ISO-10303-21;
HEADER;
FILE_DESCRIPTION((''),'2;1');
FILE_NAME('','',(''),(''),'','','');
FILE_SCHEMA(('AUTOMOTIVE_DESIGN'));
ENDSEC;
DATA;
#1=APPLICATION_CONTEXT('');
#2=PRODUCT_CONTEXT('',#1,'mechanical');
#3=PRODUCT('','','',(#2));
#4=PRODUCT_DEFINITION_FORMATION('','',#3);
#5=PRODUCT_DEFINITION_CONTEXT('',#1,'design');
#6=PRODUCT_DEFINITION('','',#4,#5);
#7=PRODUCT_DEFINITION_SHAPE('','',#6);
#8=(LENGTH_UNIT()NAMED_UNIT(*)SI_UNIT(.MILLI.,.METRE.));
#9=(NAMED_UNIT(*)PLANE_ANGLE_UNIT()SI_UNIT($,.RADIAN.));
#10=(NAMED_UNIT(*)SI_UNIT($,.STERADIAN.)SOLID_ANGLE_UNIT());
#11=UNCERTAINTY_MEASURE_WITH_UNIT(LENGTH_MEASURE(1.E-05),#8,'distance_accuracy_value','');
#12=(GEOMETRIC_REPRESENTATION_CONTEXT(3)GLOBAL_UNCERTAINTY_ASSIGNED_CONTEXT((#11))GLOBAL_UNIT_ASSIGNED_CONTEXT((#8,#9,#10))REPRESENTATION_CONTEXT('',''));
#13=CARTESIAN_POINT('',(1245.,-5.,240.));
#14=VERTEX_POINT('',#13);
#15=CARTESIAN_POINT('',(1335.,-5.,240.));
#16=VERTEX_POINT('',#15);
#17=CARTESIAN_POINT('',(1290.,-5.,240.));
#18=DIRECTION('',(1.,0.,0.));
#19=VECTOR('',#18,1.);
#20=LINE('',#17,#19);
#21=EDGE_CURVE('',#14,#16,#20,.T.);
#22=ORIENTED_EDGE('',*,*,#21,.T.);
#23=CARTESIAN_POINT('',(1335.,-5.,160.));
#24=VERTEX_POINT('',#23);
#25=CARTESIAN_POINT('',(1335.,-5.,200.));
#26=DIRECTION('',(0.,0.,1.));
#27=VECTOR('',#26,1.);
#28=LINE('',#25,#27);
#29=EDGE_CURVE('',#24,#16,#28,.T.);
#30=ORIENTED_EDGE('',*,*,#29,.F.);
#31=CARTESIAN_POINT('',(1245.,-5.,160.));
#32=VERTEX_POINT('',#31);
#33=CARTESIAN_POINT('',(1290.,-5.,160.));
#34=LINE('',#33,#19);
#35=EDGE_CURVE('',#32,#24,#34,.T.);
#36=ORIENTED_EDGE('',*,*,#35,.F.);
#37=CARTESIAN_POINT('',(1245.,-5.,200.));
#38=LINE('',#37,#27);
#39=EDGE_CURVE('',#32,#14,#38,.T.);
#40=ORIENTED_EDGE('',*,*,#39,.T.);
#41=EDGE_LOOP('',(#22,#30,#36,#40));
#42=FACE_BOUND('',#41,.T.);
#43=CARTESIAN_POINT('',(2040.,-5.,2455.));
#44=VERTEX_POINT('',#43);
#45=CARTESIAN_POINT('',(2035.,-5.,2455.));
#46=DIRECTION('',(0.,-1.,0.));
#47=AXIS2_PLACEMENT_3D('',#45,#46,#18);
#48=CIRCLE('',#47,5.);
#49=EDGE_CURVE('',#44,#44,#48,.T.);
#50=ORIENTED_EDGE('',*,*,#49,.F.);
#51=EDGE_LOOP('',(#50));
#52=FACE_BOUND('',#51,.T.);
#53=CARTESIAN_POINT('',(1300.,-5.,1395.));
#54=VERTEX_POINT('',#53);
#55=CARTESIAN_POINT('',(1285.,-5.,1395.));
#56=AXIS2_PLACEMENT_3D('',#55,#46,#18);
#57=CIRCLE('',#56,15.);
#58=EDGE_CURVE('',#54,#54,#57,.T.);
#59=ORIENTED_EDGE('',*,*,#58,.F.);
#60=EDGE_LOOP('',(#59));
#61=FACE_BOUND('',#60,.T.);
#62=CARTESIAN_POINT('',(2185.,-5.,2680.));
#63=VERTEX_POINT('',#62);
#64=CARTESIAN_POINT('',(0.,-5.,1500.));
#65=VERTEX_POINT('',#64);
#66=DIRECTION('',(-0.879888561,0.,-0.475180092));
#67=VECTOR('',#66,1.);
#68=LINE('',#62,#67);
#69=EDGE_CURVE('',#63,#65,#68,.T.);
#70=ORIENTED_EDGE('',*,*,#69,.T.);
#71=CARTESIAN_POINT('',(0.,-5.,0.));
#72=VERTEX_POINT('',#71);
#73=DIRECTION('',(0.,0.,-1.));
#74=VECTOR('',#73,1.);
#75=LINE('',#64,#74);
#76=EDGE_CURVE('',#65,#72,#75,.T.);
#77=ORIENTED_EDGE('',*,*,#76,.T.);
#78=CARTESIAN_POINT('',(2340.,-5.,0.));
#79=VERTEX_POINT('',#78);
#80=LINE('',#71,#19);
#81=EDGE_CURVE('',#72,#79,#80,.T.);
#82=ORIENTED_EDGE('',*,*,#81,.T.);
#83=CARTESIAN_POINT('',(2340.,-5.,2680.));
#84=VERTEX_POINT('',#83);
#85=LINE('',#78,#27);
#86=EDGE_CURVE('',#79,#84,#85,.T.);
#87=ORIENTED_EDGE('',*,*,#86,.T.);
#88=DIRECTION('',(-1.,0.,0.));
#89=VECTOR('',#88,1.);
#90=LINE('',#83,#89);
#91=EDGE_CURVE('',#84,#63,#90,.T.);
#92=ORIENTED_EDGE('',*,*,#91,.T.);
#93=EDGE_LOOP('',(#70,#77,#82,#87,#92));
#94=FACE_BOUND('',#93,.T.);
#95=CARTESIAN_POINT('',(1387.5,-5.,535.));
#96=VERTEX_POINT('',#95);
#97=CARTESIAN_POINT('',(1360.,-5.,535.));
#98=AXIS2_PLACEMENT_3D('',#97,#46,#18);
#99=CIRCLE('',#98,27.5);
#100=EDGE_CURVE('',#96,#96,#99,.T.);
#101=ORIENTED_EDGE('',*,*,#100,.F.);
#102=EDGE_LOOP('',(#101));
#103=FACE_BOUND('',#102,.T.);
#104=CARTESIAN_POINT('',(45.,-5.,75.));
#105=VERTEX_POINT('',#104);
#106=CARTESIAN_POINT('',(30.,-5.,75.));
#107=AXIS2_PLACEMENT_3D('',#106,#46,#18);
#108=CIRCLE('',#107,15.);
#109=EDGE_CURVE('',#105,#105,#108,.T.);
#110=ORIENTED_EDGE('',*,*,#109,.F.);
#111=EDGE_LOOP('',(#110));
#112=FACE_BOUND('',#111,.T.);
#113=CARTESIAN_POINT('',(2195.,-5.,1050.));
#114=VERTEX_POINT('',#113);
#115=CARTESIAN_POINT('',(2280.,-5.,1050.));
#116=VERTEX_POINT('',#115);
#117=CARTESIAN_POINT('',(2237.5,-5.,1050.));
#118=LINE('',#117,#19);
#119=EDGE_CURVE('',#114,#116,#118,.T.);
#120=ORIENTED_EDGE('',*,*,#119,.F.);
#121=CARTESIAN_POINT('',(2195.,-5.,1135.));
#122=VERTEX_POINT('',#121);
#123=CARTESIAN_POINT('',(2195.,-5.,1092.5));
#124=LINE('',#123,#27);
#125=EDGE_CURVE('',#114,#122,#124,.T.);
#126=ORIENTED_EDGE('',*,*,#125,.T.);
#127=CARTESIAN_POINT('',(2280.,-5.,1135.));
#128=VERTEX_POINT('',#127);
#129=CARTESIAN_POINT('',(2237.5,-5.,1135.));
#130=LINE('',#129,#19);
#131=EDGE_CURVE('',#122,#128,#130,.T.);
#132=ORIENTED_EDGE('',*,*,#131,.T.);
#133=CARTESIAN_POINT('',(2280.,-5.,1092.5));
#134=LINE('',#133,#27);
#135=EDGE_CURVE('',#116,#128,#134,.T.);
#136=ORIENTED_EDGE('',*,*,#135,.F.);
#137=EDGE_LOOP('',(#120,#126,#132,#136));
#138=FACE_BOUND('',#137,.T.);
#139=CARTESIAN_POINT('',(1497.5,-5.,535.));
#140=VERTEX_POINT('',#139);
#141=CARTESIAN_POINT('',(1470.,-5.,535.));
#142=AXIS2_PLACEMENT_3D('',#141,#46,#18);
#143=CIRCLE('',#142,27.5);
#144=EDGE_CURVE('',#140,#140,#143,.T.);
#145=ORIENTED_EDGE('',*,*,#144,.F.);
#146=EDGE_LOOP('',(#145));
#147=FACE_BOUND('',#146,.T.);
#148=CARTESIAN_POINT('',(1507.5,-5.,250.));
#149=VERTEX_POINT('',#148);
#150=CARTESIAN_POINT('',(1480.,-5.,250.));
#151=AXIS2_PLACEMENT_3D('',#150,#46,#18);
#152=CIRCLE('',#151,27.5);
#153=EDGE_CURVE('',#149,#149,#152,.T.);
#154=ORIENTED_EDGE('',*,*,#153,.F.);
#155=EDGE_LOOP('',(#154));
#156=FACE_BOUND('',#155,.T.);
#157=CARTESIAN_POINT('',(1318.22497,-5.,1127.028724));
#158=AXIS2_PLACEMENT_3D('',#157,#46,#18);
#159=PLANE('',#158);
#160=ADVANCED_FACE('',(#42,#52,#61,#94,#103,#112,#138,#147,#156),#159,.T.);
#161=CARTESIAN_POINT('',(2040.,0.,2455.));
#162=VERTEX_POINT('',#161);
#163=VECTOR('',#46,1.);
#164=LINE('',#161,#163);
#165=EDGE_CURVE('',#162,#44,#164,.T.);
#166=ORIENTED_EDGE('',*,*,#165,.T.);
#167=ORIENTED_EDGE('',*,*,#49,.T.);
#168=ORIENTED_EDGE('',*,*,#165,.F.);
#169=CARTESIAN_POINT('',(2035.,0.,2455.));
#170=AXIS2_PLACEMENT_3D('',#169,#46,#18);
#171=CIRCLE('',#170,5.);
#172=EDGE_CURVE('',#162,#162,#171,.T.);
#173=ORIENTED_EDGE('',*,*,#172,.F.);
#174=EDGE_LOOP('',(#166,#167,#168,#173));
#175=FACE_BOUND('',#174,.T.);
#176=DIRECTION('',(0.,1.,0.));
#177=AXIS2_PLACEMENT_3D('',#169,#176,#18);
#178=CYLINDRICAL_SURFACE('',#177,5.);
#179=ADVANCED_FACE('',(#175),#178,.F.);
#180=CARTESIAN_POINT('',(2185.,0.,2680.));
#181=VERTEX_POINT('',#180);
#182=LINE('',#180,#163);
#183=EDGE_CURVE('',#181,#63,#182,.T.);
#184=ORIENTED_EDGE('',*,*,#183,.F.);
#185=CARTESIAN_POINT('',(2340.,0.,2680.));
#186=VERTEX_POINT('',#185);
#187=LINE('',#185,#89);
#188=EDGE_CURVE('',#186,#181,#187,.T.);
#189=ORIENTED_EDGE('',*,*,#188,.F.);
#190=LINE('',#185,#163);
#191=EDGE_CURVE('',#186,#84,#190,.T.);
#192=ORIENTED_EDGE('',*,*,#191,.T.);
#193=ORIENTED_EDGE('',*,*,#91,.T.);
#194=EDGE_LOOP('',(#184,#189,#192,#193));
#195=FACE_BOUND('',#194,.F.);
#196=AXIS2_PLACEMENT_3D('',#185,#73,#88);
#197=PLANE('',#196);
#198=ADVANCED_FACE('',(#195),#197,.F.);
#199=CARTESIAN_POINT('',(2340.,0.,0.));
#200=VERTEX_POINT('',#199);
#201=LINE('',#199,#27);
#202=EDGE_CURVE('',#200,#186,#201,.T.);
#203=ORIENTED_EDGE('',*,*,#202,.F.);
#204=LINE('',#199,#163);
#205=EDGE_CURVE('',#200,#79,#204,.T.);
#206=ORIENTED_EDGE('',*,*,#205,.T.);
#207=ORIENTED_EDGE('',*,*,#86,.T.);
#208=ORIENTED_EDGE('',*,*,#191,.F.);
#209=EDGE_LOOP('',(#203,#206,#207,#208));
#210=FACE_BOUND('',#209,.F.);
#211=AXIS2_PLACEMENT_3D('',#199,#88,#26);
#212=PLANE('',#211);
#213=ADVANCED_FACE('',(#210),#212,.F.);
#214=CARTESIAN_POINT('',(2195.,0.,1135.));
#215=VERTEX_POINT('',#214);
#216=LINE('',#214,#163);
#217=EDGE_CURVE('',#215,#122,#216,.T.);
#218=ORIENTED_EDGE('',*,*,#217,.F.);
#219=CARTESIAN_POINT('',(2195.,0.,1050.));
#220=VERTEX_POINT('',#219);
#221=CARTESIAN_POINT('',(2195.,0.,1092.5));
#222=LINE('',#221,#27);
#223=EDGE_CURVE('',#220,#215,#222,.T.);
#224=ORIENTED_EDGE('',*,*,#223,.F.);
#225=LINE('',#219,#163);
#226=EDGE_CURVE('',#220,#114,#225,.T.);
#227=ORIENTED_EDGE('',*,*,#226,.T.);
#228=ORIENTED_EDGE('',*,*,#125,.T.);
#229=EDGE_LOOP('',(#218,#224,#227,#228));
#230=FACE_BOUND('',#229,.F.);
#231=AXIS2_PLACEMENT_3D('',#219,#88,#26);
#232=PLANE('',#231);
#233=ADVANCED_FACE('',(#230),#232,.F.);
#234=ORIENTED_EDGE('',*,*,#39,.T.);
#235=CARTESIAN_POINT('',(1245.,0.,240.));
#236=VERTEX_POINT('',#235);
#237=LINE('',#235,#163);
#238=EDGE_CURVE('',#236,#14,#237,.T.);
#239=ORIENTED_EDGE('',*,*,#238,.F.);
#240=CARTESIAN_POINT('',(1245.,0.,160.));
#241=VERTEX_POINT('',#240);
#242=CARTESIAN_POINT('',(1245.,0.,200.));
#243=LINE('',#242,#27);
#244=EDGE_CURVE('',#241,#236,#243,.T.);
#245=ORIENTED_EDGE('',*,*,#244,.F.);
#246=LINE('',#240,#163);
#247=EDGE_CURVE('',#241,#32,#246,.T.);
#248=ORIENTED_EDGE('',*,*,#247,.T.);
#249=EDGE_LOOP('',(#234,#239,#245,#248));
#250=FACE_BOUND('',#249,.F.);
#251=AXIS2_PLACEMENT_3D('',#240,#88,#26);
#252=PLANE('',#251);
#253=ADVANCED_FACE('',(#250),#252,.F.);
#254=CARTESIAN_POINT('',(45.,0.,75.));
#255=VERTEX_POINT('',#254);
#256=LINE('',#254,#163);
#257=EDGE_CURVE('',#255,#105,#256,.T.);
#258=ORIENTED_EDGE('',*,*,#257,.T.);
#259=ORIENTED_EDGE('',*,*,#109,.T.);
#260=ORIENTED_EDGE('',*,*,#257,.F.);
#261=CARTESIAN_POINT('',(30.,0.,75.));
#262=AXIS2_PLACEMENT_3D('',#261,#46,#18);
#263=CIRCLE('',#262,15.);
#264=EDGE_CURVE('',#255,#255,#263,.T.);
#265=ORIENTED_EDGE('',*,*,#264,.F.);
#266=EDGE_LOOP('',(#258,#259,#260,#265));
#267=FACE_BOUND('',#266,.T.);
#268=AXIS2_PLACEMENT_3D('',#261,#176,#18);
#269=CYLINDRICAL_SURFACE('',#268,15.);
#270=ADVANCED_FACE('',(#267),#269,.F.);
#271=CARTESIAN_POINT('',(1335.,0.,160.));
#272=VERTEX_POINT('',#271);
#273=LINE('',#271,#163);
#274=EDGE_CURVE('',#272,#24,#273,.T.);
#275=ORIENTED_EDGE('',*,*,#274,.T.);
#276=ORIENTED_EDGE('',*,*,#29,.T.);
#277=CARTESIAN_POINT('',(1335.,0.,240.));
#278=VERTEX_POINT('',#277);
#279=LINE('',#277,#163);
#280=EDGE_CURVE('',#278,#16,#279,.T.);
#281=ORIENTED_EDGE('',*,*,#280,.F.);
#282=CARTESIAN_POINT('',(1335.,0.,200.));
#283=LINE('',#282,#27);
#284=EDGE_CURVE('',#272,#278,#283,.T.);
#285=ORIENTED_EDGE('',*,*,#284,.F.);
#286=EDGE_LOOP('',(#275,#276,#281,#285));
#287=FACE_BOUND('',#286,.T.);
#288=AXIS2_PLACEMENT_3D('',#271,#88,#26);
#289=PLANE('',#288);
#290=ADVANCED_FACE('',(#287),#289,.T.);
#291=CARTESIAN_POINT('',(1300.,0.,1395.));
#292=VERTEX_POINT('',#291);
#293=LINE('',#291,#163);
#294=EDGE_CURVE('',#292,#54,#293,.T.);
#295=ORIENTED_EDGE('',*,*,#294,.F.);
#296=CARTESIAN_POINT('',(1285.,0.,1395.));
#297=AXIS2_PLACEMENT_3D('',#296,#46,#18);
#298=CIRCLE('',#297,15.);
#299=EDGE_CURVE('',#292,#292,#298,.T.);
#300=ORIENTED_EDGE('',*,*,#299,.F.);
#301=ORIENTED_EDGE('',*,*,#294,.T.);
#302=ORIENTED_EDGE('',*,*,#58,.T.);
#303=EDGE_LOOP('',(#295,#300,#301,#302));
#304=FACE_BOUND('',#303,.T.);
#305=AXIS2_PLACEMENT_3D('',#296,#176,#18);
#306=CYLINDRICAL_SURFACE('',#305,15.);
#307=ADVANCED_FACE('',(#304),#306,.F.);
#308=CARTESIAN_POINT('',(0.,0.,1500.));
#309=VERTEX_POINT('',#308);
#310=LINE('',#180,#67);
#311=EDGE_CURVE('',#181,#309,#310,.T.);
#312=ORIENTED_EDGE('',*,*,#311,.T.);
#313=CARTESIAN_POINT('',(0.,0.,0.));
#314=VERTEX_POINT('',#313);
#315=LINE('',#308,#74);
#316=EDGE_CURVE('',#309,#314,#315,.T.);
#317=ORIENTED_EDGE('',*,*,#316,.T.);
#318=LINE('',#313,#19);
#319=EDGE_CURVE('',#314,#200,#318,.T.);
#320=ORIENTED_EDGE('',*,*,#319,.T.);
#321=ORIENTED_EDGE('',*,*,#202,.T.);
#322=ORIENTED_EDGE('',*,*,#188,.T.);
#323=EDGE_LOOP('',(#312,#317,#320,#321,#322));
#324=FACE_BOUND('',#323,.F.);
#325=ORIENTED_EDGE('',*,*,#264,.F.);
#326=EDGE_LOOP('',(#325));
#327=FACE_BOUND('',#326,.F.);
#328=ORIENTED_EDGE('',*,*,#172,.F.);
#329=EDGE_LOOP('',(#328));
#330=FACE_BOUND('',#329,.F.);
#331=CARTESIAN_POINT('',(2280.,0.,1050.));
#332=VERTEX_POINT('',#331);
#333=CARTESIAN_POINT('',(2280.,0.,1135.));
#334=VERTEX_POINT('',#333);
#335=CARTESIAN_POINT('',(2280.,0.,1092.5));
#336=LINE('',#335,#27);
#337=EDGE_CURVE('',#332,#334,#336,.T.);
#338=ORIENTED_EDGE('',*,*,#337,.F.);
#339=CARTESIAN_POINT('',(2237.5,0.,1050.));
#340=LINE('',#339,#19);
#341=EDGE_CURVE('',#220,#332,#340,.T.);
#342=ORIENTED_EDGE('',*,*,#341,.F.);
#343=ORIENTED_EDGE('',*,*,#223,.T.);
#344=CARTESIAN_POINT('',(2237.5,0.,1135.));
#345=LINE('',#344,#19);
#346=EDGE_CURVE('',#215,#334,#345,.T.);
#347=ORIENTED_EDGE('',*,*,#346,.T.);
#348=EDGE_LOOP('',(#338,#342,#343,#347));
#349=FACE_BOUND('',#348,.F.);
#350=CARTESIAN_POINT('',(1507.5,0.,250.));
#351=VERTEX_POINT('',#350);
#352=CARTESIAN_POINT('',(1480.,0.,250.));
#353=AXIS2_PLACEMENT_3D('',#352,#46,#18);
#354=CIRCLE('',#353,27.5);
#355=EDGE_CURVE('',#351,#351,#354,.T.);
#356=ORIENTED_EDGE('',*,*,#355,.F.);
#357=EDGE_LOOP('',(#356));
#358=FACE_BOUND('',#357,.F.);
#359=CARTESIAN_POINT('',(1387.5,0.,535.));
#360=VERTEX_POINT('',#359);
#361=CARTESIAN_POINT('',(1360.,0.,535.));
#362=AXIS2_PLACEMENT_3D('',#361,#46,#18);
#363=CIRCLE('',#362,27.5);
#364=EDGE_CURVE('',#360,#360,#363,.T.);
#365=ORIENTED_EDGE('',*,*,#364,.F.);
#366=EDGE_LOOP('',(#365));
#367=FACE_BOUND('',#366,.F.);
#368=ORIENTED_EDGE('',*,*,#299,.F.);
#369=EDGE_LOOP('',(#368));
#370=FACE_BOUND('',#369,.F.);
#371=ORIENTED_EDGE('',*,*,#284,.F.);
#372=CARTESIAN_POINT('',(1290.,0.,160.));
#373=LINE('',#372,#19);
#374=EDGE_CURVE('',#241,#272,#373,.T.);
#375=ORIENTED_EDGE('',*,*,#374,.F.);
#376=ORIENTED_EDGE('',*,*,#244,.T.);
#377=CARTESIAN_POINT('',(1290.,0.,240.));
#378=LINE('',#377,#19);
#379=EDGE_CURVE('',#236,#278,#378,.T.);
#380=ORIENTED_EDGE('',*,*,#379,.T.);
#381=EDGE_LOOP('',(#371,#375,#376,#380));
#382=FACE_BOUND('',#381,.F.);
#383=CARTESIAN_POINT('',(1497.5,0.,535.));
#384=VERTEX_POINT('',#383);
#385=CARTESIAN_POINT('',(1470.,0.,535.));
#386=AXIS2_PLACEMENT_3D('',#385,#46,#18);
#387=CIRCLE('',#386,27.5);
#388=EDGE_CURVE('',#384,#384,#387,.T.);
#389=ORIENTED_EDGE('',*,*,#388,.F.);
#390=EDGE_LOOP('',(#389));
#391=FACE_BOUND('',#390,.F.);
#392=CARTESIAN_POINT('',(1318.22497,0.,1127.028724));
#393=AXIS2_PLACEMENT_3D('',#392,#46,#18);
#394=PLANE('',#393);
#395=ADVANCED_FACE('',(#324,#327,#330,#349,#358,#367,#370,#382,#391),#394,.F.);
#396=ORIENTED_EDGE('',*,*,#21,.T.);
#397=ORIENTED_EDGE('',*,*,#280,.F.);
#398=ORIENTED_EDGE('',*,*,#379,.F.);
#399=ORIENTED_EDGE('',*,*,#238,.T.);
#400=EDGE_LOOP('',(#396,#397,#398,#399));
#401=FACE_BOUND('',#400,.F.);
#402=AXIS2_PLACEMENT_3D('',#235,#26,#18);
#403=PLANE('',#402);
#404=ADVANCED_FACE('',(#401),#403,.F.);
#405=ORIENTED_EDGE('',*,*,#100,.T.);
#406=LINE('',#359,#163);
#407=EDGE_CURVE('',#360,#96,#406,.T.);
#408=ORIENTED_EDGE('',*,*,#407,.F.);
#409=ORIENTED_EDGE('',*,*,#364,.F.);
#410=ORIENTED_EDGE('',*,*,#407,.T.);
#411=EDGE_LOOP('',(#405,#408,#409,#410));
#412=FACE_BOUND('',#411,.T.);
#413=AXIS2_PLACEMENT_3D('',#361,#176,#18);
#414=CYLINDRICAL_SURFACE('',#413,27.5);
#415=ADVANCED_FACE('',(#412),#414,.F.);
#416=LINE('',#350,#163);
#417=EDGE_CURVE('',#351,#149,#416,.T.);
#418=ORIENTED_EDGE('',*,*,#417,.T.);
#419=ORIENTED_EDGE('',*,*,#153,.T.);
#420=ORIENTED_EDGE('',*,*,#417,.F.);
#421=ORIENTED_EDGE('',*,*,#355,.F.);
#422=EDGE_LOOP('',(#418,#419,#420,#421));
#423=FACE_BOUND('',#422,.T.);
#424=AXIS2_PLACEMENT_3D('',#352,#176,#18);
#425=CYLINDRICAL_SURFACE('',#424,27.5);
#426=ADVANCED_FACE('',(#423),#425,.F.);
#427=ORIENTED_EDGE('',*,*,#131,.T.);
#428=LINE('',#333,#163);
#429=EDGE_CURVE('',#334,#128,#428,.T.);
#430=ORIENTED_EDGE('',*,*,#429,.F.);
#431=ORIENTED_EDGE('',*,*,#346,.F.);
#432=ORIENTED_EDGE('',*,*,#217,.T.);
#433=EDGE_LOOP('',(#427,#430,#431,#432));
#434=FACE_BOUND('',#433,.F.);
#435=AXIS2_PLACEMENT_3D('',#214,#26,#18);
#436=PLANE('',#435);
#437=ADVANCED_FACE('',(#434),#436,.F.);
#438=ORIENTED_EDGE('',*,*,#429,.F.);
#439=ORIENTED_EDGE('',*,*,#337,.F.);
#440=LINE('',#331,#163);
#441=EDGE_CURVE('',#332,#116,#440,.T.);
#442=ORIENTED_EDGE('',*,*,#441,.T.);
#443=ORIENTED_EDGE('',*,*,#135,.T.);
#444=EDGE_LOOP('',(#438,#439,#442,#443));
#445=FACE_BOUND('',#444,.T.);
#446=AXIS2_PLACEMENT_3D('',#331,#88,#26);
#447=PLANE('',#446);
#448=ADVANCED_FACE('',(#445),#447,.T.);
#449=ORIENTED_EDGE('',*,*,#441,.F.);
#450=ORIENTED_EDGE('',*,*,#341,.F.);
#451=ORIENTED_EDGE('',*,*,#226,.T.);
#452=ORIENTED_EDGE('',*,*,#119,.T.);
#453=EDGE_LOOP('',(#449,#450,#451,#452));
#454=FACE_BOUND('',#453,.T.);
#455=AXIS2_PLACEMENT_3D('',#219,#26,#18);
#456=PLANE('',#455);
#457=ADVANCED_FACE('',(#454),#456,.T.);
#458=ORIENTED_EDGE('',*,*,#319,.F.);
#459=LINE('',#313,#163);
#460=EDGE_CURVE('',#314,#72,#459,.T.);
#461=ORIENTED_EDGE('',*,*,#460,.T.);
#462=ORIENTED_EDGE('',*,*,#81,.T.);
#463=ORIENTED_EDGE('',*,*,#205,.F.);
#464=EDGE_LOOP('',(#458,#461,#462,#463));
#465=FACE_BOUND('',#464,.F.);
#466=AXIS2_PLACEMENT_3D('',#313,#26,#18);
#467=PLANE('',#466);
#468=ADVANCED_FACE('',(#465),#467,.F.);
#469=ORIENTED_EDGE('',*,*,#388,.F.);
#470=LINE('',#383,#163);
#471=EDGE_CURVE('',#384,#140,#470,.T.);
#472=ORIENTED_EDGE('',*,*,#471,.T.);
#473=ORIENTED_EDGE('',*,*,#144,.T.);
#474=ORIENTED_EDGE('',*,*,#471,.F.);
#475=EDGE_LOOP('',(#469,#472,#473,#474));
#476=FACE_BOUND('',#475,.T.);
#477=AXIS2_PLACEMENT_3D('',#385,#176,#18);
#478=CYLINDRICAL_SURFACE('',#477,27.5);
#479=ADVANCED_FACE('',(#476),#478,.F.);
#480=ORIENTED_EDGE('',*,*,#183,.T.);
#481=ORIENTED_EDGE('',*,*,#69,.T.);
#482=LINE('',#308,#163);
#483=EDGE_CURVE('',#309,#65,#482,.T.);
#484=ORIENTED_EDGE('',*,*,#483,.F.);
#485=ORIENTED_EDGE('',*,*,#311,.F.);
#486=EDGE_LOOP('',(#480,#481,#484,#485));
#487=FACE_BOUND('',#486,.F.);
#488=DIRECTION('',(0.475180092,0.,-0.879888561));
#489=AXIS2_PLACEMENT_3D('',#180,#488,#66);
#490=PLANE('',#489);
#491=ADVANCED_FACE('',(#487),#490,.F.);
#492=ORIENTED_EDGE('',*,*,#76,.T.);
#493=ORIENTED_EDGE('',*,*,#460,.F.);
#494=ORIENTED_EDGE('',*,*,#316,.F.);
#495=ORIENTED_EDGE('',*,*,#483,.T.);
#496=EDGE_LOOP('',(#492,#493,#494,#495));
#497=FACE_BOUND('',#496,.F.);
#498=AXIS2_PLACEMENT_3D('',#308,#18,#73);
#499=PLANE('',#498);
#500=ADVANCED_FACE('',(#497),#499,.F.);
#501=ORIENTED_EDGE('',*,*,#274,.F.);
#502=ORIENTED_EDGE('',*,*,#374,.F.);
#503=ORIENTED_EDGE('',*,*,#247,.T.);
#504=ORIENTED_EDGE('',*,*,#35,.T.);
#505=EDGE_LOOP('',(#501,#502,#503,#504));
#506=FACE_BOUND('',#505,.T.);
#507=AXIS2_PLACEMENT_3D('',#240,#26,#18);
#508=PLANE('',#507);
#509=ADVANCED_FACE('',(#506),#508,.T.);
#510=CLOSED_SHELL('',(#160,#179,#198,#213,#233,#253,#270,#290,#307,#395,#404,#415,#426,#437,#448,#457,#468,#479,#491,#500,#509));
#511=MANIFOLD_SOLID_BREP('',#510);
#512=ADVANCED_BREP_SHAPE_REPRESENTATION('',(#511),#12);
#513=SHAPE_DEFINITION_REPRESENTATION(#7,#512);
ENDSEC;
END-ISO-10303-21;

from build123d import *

# Parameters (mm, degrees)
F0_R     = 15
F0_W     = 90
F0_H     = 80
F0_R_2   = 27.5
F0_W_2   = 85
F0_H_2   = 85
F0_R_3   = 5
F1_DEPTH = 5


with BuildPart() as f1:
    # F0 (on Front) → F1 (new body)
    with BuildSketch(Plane.XZ):
        Polygon((0, 1500), (0, 0), (2340, 0), (2340, 2680), (2185, 2680), align=None)
        with Locations((30, 75)):
            Circle(F0_R, mode=Mode.SUBTRACT)
        with Locations((1290, 200)):
            Rectangle(F0_W, F0_H, mode=Mode.SUBTRACT)
        with Locations((1480, 250)):
            Circle(F0_R_2, mode=Mode.SUBTRACT)
        with Locations((1360, 535)):
            Circle(F0_R_2, mode=Mode.SUBTRACT)
        with Locations((1470, 535)):
            Circle(F0_R_2, mode=Mode.SUBTRACT)
        with Locations((2237.5, 1092.5)):
            Rectangle(F0_W_2, F0_H_2, mode=Mode.SUBTRACT)
        with Locations((1285, 1395)):
            Circle(F0_R, mode=Mode.SUBTRACT)
        with Locations((2035, 2455)):
            Circle(F0_R_3, mode=Mode.SUBTRACT)
    extrude(amount=F1_DEPTH)


solid = f1.part
